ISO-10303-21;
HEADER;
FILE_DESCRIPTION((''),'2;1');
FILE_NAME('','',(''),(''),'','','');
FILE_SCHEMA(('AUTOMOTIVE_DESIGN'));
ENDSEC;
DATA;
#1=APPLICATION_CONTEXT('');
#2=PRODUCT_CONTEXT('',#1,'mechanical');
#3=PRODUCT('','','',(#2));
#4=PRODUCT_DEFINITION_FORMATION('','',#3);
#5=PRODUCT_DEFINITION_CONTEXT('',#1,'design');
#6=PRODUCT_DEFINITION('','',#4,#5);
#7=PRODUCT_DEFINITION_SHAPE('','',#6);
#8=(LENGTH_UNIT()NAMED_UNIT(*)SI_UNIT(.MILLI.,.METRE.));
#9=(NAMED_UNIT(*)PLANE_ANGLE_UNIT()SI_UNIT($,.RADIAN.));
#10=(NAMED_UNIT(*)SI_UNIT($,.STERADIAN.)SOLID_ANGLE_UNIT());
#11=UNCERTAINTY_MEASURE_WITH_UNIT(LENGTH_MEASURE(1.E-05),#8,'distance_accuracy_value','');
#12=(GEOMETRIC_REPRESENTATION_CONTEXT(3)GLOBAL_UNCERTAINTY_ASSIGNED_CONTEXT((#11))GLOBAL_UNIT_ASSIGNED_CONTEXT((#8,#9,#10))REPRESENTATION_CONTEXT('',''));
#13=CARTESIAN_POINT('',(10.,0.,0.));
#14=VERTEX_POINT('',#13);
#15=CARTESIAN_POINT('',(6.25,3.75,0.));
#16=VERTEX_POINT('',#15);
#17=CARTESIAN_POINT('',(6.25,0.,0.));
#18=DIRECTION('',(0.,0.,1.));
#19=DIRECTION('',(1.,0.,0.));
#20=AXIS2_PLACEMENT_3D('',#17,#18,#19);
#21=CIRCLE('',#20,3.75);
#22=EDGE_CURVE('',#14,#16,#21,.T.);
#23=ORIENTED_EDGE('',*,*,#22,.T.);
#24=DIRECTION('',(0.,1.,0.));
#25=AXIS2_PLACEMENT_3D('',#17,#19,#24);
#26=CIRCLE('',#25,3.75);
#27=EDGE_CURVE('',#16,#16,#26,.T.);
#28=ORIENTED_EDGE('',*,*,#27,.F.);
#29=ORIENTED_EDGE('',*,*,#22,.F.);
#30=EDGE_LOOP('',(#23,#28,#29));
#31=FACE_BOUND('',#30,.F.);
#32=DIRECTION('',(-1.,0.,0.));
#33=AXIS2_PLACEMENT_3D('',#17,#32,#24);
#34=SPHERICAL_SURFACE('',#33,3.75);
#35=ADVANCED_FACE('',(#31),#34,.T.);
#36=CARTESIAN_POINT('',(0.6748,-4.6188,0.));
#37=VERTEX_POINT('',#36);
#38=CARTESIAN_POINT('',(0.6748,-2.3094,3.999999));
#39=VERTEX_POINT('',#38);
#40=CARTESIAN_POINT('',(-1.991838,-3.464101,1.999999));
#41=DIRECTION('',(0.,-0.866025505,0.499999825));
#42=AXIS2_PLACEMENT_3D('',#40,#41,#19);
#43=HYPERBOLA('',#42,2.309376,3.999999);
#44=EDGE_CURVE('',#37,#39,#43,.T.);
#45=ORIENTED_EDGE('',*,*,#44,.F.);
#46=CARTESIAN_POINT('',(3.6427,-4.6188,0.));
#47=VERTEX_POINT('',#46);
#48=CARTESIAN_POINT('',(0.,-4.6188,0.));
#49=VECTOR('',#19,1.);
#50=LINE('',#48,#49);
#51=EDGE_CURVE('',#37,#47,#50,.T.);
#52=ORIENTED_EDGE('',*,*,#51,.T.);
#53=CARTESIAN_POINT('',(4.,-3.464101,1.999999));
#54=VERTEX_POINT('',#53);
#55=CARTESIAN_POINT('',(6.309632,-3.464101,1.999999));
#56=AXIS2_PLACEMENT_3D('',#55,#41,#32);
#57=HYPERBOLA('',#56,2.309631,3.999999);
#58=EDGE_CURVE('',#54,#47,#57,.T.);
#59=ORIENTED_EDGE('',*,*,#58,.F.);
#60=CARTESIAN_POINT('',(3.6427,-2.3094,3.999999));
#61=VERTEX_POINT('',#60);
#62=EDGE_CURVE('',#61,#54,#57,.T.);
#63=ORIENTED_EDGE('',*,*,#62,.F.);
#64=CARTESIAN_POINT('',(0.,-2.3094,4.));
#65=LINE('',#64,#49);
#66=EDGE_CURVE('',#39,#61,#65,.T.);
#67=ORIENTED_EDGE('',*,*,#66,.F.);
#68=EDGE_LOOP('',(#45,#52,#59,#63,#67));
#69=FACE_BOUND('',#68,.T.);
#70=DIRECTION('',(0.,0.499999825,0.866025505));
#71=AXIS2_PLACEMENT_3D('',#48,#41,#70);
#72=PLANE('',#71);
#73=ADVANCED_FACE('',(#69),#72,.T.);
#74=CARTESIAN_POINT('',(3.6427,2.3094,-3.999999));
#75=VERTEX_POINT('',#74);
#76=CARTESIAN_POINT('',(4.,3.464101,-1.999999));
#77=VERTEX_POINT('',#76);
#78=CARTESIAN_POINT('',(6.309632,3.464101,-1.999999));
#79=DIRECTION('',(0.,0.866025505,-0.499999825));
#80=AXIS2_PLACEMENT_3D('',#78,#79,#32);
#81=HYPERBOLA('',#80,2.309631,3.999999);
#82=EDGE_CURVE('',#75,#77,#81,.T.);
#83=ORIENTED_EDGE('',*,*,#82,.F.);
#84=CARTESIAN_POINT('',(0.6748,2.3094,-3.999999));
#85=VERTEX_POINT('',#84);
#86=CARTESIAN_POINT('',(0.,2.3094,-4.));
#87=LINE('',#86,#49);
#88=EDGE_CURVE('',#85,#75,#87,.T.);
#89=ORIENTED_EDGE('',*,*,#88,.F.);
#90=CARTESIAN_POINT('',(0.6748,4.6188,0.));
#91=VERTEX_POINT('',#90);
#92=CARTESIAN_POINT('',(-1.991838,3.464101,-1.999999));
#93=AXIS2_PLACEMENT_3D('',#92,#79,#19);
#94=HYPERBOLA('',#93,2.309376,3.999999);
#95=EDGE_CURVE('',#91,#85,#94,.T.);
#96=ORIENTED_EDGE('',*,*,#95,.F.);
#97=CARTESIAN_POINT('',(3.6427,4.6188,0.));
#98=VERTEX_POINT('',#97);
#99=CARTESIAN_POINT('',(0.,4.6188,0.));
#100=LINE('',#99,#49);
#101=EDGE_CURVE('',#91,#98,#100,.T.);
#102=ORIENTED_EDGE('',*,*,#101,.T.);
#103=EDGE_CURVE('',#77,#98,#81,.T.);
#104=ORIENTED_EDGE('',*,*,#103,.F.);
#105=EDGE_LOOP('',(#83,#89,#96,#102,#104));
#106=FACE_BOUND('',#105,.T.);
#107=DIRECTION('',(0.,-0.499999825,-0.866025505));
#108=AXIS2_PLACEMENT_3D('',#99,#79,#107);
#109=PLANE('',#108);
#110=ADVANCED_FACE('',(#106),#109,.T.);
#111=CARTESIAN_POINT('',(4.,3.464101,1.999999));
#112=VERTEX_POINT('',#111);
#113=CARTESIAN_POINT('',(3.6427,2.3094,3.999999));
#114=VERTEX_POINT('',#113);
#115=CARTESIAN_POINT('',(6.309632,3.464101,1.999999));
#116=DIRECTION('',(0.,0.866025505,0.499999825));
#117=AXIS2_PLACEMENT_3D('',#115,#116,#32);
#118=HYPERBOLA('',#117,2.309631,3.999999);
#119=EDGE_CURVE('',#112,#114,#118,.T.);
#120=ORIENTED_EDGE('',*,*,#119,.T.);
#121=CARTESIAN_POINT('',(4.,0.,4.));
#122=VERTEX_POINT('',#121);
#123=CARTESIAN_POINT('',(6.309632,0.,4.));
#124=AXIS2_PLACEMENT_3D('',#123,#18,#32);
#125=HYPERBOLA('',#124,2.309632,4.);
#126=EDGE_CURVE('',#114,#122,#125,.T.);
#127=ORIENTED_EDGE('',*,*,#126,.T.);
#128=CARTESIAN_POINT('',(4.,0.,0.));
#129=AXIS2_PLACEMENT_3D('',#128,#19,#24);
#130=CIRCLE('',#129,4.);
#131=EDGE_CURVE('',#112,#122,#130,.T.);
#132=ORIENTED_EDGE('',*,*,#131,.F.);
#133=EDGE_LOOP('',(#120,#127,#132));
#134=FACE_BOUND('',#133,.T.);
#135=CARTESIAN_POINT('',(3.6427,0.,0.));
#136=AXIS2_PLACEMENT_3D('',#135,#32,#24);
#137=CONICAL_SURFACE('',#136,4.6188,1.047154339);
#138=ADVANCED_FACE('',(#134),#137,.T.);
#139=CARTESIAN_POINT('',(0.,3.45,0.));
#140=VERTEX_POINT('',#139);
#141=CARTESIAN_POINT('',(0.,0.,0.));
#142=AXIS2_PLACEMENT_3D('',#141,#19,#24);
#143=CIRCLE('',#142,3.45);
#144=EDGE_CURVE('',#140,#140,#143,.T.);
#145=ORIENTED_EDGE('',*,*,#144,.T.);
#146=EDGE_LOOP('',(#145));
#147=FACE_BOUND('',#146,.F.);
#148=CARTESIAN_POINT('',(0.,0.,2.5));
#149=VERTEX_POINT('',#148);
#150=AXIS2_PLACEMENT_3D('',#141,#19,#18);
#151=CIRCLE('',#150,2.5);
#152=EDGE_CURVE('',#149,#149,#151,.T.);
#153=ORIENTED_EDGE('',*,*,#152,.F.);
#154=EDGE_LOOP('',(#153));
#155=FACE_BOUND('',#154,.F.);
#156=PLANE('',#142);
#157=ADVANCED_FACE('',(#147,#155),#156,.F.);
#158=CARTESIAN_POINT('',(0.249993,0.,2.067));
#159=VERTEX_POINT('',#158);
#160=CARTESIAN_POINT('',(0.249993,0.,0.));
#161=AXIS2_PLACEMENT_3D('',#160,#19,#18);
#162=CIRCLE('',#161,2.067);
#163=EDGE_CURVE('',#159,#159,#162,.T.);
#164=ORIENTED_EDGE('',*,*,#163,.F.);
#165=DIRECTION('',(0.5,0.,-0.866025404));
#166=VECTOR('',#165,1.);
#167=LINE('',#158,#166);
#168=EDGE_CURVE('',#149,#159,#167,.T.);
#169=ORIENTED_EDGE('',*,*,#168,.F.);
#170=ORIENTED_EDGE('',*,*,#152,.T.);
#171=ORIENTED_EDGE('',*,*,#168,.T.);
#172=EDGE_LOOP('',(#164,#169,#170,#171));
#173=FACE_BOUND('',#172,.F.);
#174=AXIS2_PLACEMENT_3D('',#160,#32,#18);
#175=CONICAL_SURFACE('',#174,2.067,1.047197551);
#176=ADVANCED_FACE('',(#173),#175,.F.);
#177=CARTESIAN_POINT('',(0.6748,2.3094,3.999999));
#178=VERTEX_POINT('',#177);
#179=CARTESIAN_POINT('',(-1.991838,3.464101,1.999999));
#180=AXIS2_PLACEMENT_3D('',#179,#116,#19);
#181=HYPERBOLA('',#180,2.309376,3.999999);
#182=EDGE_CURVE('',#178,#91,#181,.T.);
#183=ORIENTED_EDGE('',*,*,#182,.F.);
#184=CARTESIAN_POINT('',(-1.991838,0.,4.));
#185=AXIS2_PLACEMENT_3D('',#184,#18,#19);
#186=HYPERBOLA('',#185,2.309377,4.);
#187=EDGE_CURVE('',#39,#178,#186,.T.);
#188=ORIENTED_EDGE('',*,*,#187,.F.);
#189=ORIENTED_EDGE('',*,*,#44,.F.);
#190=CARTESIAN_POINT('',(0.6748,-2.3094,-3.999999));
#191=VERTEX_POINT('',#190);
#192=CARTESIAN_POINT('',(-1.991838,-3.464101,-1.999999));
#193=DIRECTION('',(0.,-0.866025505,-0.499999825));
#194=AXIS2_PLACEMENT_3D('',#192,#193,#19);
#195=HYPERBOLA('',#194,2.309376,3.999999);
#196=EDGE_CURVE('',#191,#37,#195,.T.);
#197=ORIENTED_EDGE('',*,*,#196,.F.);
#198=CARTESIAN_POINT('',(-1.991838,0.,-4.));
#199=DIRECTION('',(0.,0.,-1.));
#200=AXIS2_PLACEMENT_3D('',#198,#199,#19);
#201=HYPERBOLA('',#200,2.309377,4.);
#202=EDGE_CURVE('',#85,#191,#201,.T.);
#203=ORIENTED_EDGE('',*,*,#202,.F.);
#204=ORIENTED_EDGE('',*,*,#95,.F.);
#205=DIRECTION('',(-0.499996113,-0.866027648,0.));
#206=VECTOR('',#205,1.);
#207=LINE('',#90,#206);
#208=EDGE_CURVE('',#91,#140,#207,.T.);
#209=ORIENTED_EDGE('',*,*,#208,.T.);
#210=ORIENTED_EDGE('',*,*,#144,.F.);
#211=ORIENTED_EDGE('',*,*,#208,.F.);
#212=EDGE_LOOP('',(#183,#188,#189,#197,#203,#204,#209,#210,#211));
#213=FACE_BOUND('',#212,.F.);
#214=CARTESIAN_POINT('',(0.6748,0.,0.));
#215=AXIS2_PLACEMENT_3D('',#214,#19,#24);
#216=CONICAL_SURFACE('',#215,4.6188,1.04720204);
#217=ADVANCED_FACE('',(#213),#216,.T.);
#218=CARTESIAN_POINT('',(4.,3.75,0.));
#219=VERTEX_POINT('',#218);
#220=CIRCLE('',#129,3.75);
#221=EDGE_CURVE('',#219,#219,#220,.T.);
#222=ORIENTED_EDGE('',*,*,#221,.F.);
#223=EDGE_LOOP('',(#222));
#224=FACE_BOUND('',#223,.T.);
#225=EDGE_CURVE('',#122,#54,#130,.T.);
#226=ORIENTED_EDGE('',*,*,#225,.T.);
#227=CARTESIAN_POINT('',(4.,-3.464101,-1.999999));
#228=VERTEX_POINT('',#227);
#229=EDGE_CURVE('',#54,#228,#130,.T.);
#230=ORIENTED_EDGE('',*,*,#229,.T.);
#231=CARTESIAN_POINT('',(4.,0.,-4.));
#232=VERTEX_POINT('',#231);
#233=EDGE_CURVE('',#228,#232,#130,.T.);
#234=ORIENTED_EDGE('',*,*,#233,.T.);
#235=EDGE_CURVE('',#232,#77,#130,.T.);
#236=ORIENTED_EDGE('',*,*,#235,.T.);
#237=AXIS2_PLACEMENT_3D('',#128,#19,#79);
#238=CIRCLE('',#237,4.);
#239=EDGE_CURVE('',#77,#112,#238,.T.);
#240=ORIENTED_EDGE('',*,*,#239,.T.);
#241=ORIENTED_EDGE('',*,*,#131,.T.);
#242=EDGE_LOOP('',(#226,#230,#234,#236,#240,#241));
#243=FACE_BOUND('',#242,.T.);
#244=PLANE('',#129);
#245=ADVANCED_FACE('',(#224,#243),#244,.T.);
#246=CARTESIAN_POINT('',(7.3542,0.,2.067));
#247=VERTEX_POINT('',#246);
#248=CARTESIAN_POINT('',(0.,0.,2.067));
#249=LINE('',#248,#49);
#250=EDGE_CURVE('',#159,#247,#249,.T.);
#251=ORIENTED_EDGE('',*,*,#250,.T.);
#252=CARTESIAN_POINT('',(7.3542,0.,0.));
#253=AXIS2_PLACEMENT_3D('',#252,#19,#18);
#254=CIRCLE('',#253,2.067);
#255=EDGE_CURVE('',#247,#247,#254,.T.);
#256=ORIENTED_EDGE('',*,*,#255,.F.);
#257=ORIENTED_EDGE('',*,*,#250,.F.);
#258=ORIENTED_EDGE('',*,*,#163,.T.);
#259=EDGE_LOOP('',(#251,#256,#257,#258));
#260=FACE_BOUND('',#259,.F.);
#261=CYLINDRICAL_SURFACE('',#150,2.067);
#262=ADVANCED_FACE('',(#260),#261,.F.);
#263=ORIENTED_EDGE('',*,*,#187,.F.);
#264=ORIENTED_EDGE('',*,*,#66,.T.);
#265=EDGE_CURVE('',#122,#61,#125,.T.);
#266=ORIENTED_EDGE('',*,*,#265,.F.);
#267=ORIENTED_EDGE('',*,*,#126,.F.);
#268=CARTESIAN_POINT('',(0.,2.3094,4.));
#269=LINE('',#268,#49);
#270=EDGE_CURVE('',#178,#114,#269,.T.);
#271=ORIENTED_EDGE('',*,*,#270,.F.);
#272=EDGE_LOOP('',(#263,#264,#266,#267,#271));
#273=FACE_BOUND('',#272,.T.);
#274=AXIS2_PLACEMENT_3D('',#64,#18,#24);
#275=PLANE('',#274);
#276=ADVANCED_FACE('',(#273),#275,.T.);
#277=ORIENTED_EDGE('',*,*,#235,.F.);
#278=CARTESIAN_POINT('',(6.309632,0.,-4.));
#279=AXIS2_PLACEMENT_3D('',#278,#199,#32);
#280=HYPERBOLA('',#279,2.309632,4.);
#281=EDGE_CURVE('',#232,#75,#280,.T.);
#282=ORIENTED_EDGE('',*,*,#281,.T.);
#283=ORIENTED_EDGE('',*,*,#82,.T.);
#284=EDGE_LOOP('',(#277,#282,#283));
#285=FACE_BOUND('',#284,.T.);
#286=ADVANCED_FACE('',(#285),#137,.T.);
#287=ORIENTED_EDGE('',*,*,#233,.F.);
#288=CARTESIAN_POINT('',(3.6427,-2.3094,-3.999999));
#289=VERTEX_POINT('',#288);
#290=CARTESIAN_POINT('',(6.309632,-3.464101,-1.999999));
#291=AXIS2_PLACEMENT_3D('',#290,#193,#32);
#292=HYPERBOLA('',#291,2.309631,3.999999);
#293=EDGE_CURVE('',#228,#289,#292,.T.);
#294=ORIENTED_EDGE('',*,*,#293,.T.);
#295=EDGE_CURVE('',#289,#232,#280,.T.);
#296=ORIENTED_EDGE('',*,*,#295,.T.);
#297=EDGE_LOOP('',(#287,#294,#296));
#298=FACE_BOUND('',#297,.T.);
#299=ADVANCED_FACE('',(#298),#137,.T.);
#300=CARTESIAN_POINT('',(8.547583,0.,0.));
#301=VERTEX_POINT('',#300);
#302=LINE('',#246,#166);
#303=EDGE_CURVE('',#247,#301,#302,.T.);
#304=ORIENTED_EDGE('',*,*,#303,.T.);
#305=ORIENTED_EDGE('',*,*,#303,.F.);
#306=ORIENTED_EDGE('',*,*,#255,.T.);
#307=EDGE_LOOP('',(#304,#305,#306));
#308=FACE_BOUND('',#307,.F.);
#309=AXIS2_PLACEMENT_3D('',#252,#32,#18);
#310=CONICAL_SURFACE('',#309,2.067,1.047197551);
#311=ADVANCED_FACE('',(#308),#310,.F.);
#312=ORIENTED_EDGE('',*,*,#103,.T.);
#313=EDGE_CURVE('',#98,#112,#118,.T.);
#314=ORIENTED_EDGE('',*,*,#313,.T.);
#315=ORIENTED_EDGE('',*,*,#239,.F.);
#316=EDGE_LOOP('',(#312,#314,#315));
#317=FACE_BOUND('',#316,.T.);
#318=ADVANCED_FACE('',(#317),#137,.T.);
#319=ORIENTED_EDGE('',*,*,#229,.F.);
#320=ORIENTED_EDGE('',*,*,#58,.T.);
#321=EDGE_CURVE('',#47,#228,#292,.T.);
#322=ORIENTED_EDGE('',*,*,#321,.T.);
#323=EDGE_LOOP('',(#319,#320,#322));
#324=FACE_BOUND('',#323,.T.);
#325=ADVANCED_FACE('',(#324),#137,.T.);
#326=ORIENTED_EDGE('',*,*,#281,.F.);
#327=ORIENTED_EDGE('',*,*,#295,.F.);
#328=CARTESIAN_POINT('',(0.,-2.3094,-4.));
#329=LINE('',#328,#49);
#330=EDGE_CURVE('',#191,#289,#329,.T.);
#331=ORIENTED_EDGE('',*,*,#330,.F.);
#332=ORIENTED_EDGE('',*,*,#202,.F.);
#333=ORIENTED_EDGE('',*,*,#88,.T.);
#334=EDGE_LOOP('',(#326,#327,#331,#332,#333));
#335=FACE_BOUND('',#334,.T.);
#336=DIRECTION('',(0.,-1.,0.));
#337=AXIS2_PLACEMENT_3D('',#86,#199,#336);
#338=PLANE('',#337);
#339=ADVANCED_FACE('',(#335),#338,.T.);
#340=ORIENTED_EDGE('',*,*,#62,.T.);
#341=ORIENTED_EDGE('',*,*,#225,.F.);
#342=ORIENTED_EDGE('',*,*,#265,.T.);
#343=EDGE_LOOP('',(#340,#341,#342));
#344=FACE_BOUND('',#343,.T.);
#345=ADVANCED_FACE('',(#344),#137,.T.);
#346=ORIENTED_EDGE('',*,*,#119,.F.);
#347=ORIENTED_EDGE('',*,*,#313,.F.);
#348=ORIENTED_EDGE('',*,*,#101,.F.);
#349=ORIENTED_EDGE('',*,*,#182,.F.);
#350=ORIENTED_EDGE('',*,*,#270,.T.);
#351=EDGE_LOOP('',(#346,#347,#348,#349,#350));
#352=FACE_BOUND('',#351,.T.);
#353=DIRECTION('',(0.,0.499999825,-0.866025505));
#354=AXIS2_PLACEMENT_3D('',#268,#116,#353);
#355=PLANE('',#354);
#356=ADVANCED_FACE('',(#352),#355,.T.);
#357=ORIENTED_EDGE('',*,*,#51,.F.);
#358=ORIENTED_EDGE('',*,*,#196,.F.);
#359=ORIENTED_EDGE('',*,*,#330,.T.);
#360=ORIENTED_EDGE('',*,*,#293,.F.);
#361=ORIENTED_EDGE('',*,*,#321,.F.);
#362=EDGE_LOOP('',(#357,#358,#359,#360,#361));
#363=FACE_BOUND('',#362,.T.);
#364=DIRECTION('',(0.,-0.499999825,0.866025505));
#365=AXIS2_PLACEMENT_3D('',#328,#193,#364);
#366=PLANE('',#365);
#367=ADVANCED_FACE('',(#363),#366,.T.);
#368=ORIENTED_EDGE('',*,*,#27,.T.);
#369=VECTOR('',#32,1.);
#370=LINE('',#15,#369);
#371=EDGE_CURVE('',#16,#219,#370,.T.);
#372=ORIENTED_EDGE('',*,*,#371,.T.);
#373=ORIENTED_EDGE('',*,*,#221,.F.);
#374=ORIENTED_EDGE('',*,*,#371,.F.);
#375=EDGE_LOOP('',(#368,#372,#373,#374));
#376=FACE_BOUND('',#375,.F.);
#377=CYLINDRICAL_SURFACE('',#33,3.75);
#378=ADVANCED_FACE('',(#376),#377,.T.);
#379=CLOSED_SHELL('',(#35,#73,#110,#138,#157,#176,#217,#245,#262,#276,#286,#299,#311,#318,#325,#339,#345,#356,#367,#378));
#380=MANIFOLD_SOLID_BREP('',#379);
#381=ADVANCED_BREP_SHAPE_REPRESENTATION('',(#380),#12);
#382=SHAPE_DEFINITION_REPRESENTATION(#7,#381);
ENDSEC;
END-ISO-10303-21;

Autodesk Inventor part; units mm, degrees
ref_plane "YZ Plane" through (0, 0, 0) normal (1, 0, 0) x (0, 1, 0)
ref_plane "XZ Plane" through (0, 0, 0) normal (0, 1, 0) x (-1, 0, 0)
sketch "Sketch1" plane through (0, 0, 0) normal (1, 0, 0) x (0, 1, 0)
  line L0 (-2.3094, -4) -> (-4.6188, 0)
  line L1 (-4.6188, 0) -> (-2.3094, 4)
  line L2 (-2.3094, 4) -> (2.3094, 4)
  line L3 (2.3094, 4) -> (4.6188, 0)
  line L4 (4.6188, 0) -> (2.3094, -4)
  line L5 (2.3094, -4) -> (-2.3094, -4)
  point P0 (0, 0)
  point P1 (0, 0)
  dimension "d0" = 9.2376
extrude "Body" add sketch "Sketch1" along normal blind 4
sketch "Sketch2" plane through (0, 0, 0) normal (0, 0, 1) x (1, 0, 0)
  line L0 (4, 0) -> (10, 0)
  arc A0 (10, 0) -> (6.25, 3.75) centre (6.25, 0) ccw
  line L1 (6.25, 3.75) -> (4, 3.75)
  line L2 (4, -2.3094) -> (4, 2.3094) projected
  line L3 (4, 0) -> (4, 3.75)
  line L4 (2.6447, 0) -> (12.132, 0) projected
  dimension "d8" = 3.75
  dimension "d9" = 6
revolve "Cap" add sketch "Sketch2" angle 360 about axis through (4, 0, 0) along (1, 0, 0)
sketch "Sketch3" plane through (0, 0, 0) normal (-1, 0, 0) x (0, 0, 1)
  line L0 (0, -6.4663) -> (0, 6.4663) projected
  line L1 (-5.6, 0) -> (5.6, 0) projected
  point P0 (0, 0)
hole "Thread" at (0, 0, 0) direction (1, 0, 0) diameter 4.134 depth 7.3542 tip angle 120 thread size "M5x0.8" class "6H" standard "ISO Metric profile"
sketch "Sketch4" plane through (0, 0, 0) normal (0, 0, 1) x (1, 0, 0)
  line L0 (0, 2.3094) -> (0, 4.6188) projected
  line L1 (0, 4.6188) -> (4, 4.6188) projected
  line L2 (4, 2.3094) -> (4, 4.6188) projected
  line L3 (-0.8, 0) -> (4.8, 0) projected
  line L4 (0.6748, 4.6188) -> (0, 3.45)
  line L5 (3.6427, 4.6188) -> (4, 4)
  dimension "d3" = 6.9
  dimension "d4" = 30
  dimension "d5" = 8
  dimension "d6" = 30
revolve "Chamfer1" cut sketch "Sketch4" angle 360 about axis through (-10, 0, 0) along (1, 0, 0)
chamfer "Chamfer2" distance 0.433 angle 30 1 edges at (0, 0, -2.067) measured on face at (0, 2.9506, -0.3583)
ref_plane "Work Plane1" through (3.6771, 0, 0) normal (0, 0.866, -0.5) x (-1, 0, 0)
equation "\"d0\" = 1.1547 * SW"
equation "\"d1\" = SIH"
equation "\"d8\" = KR"
equation "\"d9\" = KOH1 - SIH"
equation "\"d11\" = GEL"
equation "\"d12\" = 1.02 * GEL"
equation "\"d3\" = SW0"
equation "\"d4\" = ANG1"
equation "\"d5\" = SW01"
equation "\"d6\" = ANG2"
equation "\"d14\" = -0.5 * GD1 + 0.5 * NND"
equation "\"d36\" = -0.5 * GD1 + 0.5 * NND"
equation "\"ANG1\" = 30deg"
equation "\"ANG2\" = 30deg"
equation "\"NND\" = 5"
equation "\"SIH\" = 4"
equation "\"KOH1\" = 10"
equation "\"GEL\" = 7.21"
equation "\"SW\" = 8"
equation "\"KR\" = 3.75"
equation "\"SW0\" = 6.9"
equation "\"SW01\" = SW"
equation "\"GUL\" = 0.541266 * PTC"
equation "\"THREADDIA\" = 5"
equation "\"TOA\" = 30deg"
equation "\"PTC\" = 0.8"
equation "\"E0\" = 1.155 * SW"
equation "\"GAL\" = 0.541266 * PTC"
equation "\"GD1\" = 4.133975"
properties part number "DIN 1587 - M5" material "Steel, Mild"
